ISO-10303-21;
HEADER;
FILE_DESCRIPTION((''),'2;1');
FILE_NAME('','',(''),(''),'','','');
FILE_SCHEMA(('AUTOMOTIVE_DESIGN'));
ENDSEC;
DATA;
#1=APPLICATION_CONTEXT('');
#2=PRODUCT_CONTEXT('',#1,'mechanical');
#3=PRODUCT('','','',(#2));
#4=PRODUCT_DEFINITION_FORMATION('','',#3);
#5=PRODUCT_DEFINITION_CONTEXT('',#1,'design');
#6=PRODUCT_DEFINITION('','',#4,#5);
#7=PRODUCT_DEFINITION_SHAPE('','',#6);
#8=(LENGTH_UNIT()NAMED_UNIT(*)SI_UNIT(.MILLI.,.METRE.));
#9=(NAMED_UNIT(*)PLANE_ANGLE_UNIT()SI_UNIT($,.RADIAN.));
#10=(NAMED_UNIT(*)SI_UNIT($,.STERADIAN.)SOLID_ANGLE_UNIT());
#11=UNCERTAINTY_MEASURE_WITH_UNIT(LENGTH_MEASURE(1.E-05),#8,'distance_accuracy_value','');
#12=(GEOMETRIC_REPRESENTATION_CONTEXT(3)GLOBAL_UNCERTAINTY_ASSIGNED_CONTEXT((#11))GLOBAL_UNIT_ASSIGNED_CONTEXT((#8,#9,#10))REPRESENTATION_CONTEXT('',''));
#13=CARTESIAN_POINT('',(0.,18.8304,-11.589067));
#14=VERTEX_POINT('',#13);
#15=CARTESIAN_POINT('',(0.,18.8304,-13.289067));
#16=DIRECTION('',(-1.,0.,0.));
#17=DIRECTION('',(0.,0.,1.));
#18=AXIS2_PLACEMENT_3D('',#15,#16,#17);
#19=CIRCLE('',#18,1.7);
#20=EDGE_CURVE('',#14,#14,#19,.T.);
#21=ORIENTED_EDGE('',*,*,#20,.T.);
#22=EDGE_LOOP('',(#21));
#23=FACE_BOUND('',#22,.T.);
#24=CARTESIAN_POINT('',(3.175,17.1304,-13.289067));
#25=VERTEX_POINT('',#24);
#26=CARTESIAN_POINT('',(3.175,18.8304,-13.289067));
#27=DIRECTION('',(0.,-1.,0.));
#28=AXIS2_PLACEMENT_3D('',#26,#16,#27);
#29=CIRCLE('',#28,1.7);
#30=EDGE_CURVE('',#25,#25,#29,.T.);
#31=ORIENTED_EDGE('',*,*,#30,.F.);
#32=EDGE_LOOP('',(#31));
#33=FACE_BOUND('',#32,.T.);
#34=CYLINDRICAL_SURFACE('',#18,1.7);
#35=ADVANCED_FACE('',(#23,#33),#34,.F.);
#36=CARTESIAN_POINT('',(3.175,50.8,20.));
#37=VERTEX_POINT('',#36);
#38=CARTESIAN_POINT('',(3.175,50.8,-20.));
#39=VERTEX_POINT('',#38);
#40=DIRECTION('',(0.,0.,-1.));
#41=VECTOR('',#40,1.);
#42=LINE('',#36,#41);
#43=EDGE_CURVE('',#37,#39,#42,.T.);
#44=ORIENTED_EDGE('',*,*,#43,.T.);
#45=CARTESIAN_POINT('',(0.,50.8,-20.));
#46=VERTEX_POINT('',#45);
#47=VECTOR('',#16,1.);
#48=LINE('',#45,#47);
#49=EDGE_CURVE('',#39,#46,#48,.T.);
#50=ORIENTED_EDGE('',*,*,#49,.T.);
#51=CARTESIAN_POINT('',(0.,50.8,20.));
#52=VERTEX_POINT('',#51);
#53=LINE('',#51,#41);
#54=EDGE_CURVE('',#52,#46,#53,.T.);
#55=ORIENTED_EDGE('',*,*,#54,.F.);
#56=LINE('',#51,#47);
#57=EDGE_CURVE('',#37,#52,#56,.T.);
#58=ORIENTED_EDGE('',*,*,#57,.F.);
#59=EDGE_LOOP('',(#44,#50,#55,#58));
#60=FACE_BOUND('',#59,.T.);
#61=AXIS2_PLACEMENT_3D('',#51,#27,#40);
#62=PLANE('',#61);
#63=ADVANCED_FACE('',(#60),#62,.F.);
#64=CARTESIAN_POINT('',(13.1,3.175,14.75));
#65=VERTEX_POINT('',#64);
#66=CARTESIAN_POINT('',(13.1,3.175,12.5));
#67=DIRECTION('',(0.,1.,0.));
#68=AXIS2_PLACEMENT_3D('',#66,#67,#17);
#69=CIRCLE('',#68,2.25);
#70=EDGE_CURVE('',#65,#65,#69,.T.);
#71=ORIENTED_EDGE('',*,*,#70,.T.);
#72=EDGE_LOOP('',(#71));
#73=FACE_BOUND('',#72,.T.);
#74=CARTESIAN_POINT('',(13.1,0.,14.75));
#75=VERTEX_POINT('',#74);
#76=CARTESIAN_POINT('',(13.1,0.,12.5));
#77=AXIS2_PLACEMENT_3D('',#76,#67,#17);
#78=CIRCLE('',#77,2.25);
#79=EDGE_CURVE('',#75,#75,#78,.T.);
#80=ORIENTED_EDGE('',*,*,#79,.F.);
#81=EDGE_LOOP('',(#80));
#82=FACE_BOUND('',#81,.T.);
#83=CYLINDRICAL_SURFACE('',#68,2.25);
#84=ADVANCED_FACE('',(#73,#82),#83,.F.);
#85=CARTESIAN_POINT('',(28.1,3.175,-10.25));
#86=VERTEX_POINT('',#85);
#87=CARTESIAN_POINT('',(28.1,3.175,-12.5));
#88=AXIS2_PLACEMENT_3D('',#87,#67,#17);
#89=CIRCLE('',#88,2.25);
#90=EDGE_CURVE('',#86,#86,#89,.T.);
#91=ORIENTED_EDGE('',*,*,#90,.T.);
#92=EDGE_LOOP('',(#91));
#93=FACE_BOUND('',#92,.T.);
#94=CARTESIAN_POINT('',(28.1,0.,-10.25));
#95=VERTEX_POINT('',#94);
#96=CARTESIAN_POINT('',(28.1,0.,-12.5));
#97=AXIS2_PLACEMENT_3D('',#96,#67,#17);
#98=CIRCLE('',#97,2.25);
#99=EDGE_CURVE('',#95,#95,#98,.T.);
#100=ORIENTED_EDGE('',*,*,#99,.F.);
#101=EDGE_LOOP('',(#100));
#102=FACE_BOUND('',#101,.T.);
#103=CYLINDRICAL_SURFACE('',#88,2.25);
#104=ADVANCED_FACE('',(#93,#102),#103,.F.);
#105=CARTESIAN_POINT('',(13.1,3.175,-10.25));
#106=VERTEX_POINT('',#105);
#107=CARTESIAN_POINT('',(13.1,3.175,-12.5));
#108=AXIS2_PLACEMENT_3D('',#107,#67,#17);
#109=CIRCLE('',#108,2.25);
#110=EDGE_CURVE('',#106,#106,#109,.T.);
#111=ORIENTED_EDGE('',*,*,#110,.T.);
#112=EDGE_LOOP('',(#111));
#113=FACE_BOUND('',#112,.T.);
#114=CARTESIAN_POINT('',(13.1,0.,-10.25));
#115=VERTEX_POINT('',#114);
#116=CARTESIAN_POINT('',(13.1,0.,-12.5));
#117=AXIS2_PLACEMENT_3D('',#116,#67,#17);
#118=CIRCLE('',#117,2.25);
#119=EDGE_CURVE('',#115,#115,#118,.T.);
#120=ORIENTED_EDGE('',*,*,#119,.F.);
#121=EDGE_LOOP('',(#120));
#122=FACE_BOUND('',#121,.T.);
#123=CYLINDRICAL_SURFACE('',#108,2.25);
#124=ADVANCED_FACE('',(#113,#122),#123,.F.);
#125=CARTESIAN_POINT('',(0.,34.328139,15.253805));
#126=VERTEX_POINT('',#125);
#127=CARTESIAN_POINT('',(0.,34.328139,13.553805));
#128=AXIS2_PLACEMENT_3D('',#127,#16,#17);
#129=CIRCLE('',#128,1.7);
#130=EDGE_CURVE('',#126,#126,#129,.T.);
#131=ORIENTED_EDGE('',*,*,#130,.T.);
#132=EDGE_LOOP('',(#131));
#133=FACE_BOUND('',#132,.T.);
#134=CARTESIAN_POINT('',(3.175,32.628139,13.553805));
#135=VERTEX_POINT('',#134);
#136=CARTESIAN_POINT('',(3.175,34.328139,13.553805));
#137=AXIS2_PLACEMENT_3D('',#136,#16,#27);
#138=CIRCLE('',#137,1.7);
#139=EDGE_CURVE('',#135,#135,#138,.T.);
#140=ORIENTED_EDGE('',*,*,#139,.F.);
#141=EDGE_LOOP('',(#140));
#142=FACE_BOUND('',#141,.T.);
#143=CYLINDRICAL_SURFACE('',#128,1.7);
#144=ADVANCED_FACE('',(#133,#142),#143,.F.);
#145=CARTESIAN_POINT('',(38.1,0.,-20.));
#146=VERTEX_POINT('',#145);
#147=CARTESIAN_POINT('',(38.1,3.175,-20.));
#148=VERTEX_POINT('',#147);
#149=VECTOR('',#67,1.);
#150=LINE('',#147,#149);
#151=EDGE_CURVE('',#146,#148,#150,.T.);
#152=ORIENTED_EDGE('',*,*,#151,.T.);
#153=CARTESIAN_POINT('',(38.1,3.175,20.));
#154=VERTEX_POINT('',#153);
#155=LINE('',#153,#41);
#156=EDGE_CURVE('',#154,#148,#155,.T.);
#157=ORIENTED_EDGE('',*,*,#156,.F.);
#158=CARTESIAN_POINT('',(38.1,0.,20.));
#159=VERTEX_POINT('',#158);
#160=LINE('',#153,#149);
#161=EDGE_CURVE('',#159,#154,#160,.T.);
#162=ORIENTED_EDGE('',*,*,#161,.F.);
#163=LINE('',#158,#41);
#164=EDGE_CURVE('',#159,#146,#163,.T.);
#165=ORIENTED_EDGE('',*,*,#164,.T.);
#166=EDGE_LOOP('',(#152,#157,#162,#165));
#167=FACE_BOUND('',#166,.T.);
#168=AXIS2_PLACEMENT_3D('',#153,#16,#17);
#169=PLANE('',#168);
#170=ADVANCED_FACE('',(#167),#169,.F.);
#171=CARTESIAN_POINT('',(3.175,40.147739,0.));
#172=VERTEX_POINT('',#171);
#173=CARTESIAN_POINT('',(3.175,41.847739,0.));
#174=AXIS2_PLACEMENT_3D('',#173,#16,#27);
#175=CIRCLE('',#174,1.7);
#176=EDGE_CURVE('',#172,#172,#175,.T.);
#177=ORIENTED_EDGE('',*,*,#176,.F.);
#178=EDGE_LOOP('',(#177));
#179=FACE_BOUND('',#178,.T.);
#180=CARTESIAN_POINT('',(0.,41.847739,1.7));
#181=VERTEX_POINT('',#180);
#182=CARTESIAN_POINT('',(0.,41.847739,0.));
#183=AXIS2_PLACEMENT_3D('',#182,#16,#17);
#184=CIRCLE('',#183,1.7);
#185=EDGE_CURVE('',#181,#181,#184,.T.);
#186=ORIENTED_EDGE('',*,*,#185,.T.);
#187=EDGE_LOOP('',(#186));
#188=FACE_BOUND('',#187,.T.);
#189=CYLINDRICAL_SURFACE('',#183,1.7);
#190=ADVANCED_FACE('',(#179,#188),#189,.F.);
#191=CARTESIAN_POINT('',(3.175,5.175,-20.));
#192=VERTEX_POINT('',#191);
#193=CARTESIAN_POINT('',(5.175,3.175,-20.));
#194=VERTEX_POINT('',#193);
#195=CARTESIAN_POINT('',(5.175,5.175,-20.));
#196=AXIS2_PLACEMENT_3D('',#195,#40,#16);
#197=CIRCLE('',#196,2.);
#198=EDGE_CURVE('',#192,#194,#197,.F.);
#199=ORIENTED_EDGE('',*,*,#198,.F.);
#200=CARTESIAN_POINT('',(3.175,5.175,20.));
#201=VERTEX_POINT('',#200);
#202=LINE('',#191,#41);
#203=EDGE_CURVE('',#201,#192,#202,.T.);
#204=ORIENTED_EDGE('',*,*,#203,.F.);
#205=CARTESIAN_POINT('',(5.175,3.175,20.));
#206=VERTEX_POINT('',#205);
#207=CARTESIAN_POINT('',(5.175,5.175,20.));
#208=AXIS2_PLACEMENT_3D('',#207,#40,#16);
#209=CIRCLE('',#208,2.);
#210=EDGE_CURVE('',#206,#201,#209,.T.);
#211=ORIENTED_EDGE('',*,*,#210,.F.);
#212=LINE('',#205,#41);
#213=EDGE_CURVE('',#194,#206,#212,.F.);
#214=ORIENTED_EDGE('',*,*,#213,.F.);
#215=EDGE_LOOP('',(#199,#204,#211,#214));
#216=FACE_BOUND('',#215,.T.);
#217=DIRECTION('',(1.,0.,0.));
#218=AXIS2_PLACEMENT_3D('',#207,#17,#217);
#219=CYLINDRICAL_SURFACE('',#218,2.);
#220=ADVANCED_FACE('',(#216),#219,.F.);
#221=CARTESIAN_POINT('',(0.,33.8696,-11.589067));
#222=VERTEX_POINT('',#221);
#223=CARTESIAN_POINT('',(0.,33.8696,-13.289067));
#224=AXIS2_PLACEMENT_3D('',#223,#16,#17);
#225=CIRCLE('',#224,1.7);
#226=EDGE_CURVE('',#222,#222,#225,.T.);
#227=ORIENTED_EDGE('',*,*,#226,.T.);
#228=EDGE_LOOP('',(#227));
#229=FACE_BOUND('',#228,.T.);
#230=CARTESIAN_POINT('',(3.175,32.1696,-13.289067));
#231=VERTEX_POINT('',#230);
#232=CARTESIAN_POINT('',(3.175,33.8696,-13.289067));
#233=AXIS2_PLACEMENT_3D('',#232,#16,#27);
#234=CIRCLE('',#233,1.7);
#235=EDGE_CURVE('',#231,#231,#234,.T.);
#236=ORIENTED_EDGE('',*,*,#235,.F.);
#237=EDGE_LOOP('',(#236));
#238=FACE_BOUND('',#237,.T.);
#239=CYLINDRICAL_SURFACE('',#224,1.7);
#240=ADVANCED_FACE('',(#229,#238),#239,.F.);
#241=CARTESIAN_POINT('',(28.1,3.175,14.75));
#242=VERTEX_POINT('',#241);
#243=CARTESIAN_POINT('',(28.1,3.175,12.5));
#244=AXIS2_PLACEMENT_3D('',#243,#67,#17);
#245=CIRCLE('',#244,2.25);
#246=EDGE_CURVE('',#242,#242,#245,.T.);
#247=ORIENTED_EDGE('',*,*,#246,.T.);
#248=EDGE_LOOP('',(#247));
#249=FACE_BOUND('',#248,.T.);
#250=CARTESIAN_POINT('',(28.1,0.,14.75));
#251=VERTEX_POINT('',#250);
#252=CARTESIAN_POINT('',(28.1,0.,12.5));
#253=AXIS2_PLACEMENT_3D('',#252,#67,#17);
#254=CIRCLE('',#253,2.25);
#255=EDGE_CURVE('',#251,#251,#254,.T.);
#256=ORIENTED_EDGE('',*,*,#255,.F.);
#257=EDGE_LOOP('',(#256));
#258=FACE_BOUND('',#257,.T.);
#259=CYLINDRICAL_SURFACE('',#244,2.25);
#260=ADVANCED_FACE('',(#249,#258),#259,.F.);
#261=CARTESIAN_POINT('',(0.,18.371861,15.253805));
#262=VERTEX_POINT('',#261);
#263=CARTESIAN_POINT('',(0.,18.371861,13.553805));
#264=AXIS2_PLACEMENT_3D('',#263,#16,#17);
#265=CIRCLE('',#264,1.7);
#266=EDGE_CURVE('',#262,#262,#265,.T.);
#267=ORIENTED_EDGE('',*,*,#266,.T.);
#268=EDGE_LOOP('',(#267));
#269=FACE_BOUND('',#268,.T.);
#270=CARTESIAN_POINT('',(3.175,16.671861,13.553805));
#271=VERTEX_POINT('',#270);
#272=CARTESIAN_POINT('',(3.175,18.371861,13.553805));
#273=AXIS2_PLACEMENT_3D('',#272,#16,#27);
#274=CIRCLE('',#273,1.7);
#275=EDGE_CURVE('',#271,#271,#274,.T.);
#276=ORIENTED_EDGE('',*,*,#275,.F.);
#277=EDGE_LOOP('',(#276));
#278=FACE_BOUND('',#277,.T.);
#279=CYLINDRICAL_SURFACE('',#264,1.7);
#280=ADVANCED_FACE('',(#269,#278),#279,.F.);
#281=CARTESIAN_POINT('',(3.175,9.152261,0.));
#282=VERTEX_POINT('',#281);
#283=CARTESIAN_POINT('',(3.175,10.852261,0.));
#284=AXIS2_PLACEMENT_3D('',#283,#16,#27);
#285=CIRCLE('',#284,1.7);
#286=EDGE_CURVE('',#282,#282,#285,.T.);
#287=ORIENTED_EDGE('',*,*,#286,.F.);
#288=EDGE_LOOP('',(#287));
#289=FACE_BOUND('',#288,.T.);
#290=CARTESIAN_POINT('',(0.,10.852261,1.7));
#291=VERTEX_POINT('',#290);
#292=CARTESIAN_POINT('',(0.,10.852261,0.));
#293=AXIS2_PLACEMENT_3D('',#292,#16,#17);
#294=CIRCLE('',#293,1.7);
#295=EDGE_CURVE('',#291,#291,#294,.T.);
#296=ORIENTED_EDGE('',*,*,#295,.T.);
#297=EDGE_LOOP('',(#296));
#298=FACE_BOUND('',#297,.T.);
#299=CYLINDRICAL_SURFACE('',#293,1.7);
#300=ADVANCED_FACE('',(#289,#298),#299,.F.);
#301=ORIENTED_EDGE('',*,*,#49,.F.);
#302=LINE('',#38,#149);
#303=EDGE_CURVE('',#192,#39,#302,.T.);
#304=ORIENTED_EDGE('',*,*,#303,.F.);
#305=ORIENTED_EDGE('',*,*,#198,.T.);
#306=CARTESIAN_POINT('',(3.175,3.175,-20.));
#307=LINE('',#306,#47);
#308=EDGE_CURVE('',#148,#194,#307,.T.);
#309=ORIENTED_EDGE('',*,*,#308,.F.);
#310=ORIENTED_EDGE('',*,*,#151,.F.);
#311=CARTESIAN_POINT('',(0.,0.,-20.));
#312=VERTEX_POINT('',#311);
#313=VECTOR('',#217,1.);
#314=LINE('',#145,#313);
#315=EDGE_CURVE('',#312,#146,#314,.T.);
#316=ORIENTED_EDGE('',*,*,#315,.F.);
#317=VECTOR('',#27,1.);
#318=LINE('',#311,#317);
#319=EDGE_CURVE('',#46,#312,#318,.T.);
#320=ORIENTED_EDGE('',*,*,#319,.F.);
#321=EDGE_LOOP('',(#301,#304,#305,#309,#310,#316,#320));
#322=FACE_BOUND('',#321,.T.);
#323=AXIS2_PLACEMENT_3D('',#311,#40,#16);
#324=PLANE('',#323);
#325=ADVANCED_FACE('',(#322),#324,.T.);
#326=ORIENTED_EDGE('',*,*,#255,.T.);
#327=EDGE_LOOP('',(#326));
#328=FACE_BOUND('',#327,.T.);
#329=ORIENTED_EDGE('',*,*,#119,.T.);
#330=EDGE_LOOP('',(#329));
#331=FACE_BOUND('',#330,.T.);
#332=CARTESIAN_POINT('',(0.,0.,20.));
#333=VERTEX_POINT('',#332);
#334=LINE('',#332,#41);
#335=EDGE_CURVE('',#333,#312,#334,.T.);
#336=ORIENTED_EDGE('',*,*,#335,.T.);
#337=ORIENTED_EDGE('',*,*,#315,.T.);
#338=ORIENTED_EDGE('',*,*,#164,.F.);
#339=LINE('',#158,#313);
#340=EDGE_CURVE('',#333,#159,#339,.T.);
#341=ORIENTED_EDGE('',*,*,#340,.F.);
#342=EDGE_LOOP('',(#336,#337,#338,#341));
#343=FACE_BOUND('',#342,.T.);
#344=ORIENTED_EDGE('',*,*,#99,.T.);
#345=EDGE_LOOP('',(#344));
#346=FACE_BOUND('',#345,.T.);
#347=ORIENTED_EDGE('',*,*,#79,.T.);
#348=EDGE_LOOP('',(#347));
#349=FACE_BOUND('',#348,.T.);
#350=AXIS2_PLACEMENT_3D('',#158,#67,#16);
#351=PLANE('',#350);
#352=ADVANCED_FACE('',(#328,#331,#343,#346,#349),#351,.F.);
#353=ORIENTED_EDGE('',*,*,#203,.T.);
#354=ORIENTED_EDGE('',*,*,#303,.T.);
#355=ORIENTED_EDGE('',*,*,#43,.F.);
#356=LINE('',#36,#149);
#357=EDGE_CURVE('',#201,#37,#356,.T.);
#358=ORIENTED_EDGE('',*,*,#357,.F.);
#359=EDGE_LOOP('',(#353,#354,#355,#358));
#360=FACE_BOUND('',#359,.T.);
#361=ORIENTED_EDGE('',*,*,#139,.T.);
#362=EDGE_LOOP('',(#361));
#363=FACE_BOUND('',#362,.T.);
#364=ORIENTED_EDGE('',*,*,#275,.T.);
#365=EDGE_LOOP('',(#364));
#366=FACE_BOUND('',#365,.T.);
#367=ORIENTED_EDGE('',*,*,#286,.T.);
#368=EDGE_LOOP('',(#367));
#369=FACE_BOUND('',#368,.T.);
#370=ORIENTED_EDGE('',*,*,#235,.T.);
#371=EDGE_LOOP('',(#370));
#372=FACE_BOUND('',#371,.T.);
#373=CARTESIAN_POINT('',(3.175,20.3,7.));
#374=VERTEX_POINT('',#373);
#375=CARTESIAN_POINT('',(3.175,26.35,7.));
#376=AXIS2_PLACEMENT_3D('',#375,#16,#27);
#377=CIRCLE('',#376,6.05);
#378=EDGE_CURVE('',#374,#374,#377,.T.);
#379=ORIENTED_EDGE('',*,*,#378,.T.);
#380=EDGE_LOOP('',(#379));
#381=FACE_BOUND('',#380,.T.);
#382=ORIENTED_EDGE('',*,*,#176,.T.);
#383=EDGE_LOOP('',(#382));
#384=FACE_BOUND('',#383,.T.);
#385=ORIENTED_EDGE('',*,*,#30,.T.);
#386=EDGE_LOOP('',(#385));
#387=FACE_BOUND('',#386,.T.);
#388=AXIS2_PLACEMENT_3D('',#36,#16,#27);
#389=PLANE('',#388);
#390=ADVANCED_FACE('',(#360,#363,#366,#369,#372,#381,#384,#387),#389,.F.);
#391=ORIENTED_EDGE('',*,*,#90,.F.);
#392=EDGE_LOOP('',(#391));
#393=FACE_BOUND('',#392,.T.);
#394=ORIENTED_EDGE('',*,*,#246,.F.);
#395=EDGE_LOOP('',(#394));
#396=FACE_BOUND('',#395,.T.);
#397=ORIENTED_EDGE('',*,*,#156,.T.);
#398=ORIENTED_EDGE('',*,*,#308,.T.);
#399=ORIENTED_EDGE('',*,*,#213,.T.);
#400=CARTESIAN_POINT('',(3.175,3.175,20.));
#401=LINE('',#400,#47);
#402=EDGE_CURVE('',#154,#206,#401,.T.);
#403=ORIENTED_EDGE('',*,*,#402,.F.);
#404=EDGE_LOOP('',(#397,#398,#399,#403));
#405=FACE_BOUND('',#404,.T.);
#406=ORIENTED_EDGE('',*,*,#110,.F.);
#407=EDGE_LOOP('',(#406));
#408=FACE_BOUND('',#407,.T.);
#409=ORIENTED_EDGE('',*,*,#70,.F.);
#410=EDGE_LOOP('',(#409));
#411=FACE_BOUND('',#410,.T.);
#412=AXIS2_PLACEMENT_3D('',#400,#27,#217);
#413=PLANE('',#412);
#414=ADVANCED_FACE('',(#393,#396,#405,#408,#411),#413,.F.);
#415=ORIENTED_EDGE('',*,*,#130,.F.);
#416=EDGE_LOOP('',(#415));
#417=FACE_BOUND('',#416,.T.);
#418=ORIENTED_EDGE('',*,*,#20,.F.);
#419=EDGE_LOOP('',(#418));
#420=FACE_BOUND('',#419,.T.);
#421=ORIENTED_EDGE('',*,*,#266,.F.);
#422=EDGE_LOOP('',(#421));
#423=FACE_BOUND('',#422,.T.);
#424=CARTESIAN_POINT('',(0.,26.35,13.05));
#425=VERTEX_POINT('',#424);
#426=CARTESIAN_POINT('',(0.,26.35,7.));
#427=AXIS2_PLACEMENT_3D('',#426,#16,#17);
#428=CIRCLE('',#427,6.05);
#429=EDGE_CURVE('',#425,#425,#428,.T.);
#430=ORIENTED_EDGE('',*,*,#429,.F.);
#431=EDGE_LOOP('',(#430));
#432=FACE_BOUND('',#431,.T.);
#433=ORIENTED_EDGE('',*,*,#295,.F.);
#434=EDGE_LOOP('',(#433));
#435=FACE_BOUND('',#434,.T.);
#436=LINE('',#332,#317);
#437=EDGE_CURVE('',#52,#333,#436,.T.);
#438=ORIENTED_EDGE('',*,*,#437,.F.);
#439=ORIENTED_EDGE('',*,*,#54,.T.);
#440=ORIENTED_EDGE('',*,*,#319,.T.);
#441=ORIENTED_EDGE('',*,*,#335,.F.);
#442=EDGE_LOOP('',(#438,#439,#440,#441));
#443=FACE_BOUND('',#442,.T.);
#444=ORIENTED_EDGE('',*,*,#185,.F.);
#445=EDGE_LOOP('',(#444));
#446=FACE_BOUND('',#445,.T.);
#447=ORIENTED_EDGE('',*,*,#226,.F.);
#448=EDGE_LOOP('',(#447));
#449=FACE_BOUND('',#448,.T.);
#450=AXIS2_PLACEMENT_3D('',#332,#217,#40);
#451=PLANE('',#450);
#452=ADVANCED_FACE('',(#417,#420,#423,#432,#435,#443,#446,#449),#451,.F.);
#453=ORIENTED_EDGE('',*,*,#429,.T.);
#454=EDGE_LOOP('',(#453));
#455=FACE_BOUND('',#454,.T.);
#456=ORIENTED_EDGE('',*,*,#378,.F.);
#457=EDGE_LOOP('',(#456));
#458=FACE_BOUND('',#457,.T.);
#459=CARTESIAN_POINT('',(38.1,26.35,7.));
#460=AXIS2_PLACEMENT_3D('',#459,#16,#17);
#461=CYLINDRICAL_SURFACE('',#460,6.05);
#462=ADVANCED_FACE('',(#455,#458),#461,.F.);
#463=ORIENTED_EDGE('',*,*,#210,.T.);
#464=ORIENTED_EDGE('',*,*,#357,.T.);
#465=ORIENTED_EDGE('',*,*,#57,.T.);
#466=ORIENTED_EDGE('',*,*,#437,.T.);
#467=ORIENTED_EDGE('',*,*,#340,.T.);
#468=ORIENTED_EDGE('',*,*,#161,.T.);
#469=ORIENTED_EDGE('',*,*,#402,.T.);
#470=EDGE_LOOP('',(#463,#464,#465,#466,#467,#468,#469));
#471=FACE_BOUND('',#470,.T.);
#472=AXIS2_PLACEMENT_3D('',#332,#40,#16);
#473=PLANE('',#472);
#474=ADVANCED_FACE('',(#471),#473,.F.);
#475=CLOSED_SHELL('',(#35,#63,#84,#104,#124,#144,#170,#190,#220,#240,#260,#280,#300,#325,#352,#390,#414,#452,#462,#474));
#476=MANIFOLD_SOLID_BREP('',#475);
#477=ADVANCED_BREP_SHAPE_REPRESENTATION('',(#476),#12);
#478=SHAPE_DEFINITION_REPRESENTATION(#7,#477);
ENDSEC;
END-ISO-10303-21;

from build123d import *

# Parameters (mm, degrees)
BOSS_EXTRUDE1_DEPTH  = 20
FILLET1_R            = 2
M3_CLEARANCE_HOLE1_D = 3.4
SKETCH6_R            = 6.05
CUT_EXTRUDE1_DEPTH   = 39.1
M4_CLEARANCE_HOLE1_D = 4.5


with BuildPart() as part:
    # Sketch1 → Boss-Extrude1 (new body, symmetric)
    with BuildSketch(Plane.XY):
        Polygon((0, 0), (0, 50.8), (3.175, 50.8), (3.175, 3.175), (38.1, 3.175), (38.1, 0), align=None)
    extrude(amount=BOSS_EXTRUDE1_DEPTH, both=True)

    # Fillet1
    fillet1_edges = [part.edges().sort_by_distance(p)[0] for p in [
        (3.175, 3.175, 0),
    ]]
    fillet(fillet1_edges, radius=FILLET1_R)

    # M3 Clearance Hole1 (through all)
    with Locations(Plane.ZY):
        with Locations((0, 41.847738991), (13.553804618, 34.328139243), (-13.289066718, 18.830400251), (0, 10.852261009), (-13.289066718, 33.869599749), (13.553804618, 18.371860757)):
            Hole(M3_CLEARANCE_HOLE1_D / 2)

    # Sketch6 → Cut-Extrude1 (cut, through all)
    with BuildSketch(Plane.ZY):
        with Locations((7, 26.35)):
            Circle(SKETCH6_R)
    extrude(amount=-CUT_EXTRUDE1_DEPTH, mode=Mode.SUBTRACT)

    # M4 Clearance Hole1 (through all)
    with Locations(Plane(origin=(0, 3.175, 0), x_dir=(1, 0, 0), z_dir=(0, 1, 0))):
        with Locations((13.1, -12.5), (28.1, -12.5), (28.1, 12.5), (13.1, 12.5)):
            Hole(M4_CLEARANCE_HOLE1_D / 2)


solid = part.part
